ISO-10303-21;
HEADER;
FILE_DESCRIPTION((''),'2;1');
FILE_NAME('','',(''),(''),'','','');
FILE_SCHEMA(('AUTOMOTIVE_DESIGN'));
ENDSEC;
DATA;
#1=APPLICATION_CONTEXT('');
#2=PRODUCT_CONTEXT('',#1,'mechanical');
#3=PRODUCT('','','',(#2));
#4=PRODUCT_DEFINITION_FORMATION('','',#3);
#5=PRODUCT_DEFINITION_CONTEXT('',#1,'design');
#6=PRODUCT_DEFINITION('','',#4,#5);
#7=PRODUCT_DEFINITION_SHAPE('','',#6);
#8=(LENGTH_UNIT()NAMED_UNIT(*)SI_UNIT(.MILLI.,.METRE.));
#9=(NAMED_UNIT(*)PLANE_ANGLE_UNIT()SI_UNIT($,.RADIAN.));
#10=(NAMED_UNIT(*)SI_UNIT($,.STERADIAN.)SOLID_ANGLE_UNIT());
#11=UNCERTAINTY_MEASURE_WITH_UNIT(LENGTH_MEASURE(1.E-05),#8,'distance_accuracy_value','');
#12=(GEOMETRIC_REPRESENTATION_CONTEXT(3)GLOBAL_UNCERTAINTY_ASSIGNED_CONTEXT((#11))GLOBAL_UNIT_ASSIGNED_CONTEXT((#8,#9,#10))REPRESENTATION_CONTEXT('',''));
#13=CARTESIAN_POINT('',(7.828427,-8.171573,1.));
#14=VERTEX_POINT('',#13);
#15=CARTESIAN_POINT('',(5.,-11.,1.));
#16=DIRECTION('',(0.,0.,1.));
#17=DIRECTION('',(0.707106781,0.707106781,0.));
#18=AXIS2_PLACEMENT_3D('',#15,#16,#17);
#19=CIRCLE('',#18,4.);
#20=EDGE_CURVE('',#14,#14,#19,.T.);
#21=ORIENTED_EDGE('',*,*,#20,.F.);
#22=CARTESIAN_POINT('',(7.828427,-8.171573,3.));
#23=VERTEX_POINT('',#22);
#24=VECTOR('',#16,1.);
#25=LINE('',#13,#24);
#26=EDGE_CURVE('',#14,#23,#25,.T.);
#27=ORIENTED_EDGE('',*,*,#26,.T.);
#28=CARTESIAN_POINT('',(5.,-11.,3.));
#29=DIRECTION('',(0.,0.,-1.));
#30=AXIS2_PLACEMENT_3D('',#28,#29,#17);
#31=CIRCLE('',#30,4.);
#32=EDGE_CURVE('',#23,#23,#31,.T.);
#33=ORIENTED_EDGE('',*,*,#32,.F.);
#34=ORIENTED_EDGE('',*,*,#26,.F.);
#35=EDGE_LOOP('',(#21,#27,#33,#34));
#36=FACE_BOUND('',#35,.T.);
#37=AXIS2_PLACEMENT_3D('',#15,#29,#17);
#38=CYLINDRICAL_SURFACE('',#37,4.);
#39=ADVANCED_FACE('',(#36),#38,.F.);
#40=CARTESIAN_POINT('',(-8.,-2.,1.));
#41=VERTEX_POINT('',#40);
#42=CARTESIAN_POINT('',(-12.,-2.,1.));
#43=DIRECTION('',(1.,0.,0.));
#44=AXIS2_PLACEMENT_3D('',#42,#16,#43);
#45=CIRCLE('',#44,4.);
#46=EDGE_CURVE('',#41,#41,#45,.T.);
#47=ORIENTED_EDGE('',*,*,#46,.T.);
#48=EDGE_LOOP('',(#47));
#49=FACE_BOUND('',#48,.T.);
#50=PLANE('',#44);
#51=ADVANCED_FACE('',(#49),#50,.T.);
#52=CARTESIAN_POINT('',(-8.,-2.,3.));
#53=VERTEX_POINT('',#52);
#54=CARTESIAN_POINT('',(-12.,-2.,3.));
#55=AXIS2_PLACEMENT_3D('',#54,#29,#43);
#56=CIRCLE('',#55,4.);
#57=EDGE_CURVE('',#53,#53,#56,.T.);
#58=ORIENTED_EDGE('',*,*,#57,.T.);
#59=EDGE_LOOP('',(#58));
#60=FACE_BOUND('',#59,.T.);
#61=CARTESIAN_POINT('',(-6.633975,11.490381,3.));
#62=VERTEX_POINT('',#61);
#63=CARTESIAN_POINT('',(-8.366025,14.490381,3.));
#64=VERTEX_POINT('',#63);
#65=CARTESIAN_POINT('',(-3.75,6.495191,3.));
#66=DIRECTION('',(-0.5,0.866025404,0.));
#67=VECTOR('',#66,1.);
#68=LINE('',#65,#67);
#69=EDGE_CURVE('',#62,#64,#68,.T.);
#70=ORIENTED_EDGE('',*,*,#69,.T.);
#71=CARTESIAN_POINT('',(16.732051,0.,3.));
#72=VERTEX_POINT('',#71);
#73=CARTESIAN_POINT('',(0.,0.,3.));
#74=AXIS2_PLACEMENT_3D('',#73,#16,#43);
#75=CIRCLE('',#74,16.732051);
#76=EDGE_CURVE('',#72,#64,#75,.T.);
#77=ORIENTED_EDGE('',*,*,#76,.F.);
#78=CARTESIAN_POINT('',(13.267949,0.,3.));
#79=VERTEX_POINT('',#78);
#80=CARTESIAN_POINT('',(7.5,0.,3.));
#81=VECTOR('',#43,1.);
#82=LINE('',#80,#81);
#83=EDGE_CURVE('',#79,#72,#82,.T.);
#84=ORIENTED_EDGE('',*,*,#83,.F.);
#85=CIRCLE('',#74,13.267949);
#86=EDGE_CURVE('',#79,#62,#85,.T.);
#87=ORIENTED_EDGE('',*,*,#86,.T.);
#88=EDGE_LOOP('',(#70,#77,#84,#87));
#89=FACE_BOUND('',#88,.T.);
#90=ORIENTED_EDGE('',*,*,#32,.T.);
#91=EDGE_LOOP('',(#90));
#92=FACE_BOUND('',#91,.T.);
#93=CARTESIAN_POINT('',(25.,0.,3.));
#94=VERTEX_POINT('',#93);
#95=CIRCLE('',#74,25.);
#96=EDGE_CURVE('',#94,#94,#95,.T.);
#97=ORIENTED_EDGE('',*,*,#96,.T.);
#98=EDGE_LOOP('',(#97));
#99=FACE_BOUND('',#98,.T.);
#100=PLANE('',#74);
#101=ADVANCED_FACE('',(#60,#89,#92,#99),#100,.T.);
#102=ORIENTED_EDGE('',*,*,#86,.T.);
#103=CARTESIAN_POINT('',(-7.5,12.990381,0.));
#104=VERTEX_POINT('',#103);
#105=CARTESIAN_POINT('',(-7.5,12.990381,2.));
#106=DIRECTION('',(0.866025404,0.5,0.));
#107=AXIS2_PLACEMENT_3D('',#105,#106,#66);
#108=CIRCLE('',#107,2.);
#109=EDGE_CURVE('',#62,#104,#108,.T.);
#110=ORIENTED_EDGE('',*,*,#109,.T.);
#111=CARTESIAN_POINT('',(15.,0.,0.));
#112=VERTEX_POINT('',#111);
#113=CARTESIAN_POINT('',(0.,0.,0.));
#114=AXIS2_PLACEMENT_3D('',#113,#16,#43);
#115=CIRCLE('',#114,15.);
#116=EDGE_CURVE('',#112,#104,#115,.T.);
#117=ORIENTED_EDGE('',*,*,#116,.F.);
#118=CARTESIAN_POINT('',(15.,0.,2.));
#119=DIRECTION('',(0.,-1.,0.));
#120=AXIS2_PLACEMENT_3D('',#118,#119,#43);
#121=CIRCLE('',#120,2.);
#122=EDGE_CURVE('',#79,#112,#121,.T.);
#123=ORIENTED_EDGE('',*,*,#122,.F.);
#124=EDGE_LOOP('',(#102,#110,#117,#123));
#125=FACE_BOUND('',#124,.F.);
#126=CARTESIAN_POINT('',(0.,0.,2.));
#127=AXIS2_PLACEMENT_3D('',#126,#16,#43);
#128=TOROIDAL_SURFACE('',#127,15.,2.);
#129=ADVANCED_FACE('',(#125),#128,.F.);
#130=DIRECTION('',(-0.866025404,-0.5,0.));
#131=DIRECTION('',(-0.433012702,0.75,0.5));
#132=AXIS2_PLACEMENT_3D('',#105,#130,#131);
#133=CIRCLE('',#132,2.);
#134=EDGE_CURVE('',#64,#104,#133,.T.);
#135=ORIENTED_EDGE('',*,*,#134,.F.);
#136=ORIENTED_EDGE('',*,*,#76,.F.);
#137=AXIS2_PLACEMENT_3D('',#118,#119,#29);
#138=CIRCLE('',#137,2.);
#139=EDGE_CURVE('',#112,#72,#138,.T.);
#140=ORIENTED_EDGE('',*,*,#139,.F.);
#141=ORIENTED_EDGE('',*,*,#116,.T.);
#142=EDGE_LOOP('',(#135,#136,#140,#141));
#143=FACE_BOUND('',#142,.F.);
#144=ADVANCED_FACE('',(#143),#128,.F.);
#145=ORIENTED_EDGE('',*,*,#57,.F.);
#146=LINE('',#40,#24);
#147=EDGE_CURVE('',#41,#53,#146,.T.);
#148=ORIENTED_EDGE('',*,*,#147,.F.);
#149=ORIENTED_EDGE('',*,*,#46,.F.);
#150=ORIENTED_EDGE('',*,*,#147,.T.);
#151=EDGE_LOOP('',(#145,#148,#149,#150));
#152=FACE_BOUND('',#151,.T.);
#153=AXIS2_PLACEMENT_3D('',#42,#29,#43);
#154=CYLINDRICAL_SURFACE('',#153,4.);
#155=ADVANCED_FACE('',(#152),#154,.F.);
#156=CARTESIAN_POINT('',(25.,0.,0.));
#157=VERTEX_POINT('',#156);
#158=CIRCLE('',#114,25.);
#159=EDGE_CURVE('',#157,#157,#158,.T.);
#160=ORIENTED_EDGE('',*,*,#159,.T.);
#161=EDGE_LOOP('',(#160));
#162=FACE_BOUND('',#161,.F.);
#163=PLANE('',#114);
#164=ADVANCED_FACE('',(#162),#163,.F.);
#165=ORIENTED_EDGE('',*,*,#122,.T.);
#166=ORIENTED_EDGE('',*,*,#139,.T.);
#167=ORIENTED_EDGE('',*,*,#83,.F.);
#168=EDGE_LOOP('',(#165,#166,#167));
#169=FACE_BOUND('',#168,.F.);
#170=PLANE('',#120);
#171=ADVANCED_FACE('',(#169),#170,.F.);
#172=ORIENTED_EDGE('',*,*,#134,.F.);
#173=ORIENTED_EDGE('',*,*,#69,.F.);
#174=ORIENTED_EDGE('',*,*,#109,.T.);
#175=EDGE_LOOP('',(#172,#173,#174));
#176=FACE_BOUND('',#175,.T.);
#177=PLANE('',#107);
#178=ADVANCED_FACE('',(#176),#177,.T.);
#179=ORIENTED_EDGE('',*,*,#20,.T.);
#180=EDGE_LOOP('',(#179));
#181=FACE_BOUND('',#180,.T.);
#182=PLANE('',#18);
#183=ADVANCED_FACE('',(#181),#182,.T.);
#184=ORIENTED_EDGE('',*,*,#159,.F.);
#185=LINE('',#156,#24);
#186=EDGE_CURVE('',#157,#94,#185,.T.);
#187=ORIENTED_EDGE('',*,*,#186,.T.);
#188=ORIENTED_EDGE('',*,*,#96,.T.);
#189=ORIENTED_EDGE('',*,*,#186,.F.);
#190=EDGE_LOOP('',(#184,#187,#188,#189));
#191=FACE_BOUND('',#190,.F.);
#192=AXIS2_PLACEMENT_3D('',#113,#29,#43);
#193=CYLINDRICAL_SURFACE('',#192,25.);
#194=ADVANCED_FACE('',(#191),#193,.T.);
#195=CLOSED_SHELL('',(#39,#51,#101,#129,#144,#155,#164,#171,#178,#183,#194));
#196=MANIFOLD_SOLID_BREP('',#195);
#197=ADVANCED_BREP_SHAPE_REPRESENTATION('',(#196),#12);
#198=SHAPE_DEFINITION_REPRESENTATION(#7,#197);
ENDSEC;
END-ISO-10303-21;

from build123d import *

# Parameters (mm, degrees)
CYLINDER001_R               = 4
CYLINDER001_DEPTH           = 4
CYLINDER001_PLACEMENT_ANGLE = 45
CYLINDER002_R               = 4
CYLINDER002_DEPTH           = 10
TORUS_R                     = 2
TORUS_ANGLE                 = 120
CYLINDER_R                  = 25
CYLINDER_DEPTH              = 3


with BuildPart() as cilindre001:
    # Cylinder001 → Cylinder001 (new body)
    with BuildSketch(Plane.XY):
        Circle(CYLINDER001_R)
    extrude(amount=CYLINDER001_DEPTH)


with BuildPart() as cilindre001_1:
    # Cylinder001 placement: moved
    add(cilindre001.part.moved(Location((5, -11, 1))).rotate(Axis((5, -11, 1), (0, 0, 1)), CYLINDER001_PLACEMENT_ANGLE))


with BuildPart() as cilindre002:
    # Cylinder002 → Cylinder002 (new body)
    with BuildSketch(Plane(origin=(-12, -2, 1), x_dir=(1, 0, 0), z_dir=(0, 0, 1))):
        Circle(CYLINDER002_R)
    extrude(amount=CYLINDER002_DEPTH)


with BuildPart() as torus:
    # Torus → Torus (revolve)
    with BuildSketch(Plane(origin=(0, 0, 2), x_dir=(1, 0, 0), z_dir=(0, -1, 0))):
        with Locations((15, 0)):
            Circle(TORUS_R)
    revolve(axis=Axis((0, 0, 2), (0, 0, 1)), revolution_arc=TORUS_ANGLE)


with BuildPart() as cut002:
    # Cylinder → Cylinder (new body)
    with BuildSketch(Plane.XY):
        Circle(CYLINDER_R)
    extrude(amount=CYLINDER_DEPTH)

    # Cut: cut Torus
    add(torus.part, mode=Mode.SUBTRACT)

    # Cut001: cut Cilindre002
    add(cilindre002.part, mode=Mode.SUBTRACT)

    # Cut002: cut Cilindre001
    add(cilindre001_1.part, mode=Mode.SUBTRACT)


solid = cut002.part
